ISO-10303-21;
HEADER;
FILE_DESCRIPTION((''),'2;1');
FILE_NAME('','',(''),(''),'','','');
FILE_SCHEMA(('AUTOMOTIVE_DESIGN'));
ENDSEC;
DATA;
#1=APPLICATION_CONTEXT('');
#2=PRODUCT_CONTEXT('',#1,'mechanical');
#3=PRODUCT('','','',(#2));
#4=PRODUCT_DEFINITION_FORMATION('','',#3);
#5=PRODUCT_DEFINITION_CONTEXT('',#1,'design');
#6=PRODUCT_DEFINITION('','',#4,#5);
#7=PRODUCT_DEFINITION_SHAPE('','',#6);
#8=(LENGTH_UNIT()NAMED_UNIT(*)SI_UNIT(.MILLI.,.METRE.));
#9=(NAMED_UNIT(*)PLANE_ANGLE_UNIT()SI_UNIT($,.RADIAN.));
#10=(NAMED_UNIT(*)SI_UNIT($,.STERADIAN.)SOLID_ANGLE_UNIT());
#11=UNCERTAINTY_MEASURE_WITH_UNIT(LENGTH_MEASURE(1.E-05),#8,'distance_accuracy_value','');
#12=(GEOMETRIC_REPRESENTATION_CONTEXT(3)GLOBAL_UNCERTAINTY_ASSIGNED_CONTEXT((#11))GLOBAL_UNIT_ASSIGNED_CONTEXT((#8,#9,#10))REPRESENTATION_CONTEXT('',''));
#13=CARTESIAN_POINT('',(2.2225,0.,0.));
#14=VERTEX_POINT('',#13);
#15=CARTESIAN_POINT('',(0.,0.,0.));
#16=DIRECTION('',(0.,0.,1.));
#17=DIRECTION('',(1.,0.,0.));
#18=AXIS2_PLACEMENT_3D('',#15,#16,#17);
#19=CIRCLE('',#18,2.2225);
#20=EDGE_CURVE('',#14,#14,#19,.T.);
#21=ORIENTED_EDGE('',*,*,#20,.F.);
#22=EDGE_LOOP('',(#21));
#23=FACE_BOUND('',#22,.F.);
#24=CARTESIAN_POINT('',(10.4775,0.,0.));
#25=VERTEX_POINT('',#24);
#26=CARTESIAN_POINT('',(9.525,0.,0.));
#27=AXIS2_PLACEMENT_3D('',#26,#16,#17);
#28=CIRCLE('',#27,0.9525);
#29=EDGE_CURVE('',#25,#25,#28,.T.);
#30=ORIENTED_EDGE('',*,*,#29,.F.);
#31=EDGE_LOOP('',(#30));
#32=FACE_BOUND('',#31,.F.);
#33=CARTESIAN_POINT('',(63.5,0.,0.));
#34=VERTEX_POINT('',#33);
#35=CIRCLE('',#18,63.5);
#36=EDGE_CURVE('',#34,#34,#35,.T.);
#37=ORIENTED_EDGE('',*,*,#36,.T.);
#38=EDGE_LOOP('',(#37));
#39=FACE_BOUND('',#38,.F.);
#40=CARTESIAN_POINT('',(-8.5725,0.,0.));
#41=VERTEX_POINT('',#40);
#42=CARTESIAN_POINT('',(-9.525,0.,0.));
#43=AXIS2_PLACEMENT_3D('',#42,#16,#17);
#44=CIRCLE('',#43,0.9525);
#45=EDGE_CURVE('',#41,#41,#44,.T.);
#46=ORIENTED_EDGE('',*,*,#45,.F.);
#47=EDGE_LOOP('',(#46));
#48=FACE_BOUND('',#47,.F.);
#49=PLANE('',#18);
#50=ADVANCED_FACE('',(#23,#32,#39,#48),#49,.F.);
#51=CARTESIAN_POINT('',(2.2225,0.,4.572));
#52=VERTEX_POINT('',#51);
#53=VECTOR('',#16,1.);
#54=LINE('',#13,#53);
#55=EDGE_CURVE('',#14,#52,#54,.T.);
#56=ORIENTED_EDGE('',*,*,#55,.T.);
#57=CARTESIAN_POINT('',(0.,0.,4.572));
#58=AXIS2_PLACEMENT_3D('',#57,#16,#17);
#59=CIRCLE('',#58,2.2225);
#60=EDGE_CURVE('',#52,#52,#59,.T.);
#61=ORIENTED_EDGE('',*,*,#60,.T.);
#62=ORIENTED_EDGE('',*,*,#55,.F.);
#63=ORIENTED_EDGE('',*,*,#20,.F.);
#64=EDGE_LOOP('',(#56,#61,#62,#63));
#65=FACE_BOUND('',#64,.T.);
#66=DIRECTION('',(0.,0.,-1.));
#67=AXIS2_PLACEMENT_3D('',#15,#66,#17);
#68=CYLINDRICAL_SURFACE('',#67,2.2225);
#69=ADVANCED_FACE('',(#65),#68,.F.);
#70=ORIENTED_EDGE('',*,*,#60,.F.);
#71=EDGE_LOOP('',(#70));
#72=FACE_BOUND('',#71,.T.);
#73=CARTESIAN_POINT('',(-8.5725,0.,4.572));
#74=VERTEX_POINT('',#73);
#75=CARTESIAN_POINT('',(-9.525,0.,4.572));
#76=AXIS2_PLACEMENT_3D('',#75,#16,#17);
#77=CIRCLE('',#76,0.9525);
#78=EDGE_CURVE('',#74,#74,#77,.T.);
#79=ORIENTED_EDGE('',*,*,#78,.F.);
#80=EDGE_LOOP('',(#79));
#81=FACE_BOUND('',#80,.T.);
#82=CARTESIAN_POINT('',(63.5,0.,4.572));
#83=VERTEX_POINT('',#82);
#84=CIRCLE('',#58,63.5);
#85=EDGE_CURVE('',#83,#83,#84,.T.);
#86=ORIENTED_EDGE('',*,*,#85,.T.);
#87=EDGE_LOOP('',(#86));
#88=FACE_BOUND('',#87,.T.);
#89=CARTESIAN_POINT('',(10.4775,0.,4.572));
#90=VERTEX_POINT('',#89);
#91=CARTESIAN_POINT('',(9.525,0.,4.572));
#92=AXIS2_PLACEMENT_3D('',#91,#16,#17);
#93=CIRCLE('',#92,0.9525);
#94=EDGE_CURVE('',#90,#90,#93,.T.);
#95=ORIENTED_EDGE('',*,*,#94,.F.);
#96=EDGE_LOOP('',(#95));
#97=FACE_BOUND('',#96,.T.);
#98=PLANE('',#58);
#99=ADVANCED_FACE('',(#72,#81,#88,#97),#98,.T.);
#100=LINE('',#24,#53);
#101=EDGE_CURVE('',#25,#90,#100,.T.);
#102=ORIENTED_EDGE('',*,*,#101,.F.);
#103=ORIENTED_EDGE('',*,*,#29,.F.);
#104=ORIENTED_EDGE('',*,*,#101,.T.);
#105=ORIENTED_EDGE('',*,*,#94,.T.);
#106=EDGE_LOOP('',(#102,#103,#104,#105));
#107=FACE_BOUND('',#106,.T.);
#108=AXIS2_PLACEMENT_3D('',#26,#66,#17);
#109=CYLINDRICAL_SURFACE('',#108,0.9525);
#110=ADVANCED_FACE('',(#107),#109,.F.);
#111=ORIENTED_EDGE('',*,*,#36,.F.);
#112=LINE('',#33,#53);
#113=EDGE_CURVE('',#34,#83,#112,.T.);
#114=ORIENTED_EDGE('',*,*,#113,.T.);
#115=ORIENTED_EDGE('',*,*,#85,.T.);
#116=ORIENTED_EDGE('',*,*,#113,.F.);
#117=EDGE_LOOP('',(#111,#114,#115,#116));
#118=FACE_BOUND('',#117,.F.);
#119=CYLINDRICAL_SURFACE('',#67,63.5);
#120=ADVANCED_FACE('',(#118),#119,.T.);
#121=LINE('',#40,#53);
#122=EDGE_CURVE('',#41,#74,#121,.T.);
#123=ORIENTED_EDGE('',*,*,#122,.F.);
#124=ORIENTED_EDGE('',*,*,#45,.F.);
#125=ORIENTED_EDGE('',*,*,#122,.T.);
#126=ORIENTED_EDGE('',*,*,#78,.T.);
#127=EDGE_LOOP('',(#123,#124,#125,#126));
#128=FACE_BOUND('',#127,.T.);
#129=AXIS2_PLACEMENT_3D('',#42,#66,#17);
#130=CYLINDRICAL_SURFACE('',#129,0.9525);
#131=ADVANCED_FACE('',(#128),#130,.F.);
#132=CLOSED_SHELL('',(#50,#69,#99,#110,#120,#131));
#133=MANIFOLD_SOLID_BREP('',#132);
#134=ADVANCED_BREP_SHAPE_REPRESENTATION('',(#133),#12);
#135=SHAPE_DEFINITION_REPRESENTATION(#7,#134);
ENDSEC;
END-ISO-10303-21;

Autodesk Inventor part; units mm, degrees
ref_plane "YZ Plane" through (0, 0, 0) normal (1, 0, 0) x (0, 1, 0)
ref_plane "XZ Plane" through (0, 0, 0) normal (0, 1, 0) x (-1, 0, 0)
ref_plane "XY Plane" through (0, 0, 0) normal (0, 0, 1) x (1, 0, 0)
sketch "Sketch1" plane through (0, 0, 0) normal (0, 0, 1) x (1, 0, 0)
  circle A0 centre (0, 0) radius 63.5
  line L0 (0, 0) -> (9.525, 0) construction
  line L1 (0, 0) -> (-9.525, 0) construction
  circle A1 centre (-9.525, 0) radius 0.9525
  circle A2 centre (9.525, 0) radius 0.9525
  circle A3 centre (0, 0) radius 2.2225
  dimension "d0" = 127
  dimension "d2" = 9.525
  dimension "d3" = 9.525
  dimension "d4" = 1.905
  dimension "d5" = 1.905
  dimension "d6" = 4.445
extrude "Extrusion1" add sketch "Sketch1" along normal blind 4.572
sketch "Sketch3" plane through (0, 0, 0) normal (0, 0, -1) x (-1, 0, 0)
  point P0 (0, 0)
properties part number "Zoetrope_Board"
